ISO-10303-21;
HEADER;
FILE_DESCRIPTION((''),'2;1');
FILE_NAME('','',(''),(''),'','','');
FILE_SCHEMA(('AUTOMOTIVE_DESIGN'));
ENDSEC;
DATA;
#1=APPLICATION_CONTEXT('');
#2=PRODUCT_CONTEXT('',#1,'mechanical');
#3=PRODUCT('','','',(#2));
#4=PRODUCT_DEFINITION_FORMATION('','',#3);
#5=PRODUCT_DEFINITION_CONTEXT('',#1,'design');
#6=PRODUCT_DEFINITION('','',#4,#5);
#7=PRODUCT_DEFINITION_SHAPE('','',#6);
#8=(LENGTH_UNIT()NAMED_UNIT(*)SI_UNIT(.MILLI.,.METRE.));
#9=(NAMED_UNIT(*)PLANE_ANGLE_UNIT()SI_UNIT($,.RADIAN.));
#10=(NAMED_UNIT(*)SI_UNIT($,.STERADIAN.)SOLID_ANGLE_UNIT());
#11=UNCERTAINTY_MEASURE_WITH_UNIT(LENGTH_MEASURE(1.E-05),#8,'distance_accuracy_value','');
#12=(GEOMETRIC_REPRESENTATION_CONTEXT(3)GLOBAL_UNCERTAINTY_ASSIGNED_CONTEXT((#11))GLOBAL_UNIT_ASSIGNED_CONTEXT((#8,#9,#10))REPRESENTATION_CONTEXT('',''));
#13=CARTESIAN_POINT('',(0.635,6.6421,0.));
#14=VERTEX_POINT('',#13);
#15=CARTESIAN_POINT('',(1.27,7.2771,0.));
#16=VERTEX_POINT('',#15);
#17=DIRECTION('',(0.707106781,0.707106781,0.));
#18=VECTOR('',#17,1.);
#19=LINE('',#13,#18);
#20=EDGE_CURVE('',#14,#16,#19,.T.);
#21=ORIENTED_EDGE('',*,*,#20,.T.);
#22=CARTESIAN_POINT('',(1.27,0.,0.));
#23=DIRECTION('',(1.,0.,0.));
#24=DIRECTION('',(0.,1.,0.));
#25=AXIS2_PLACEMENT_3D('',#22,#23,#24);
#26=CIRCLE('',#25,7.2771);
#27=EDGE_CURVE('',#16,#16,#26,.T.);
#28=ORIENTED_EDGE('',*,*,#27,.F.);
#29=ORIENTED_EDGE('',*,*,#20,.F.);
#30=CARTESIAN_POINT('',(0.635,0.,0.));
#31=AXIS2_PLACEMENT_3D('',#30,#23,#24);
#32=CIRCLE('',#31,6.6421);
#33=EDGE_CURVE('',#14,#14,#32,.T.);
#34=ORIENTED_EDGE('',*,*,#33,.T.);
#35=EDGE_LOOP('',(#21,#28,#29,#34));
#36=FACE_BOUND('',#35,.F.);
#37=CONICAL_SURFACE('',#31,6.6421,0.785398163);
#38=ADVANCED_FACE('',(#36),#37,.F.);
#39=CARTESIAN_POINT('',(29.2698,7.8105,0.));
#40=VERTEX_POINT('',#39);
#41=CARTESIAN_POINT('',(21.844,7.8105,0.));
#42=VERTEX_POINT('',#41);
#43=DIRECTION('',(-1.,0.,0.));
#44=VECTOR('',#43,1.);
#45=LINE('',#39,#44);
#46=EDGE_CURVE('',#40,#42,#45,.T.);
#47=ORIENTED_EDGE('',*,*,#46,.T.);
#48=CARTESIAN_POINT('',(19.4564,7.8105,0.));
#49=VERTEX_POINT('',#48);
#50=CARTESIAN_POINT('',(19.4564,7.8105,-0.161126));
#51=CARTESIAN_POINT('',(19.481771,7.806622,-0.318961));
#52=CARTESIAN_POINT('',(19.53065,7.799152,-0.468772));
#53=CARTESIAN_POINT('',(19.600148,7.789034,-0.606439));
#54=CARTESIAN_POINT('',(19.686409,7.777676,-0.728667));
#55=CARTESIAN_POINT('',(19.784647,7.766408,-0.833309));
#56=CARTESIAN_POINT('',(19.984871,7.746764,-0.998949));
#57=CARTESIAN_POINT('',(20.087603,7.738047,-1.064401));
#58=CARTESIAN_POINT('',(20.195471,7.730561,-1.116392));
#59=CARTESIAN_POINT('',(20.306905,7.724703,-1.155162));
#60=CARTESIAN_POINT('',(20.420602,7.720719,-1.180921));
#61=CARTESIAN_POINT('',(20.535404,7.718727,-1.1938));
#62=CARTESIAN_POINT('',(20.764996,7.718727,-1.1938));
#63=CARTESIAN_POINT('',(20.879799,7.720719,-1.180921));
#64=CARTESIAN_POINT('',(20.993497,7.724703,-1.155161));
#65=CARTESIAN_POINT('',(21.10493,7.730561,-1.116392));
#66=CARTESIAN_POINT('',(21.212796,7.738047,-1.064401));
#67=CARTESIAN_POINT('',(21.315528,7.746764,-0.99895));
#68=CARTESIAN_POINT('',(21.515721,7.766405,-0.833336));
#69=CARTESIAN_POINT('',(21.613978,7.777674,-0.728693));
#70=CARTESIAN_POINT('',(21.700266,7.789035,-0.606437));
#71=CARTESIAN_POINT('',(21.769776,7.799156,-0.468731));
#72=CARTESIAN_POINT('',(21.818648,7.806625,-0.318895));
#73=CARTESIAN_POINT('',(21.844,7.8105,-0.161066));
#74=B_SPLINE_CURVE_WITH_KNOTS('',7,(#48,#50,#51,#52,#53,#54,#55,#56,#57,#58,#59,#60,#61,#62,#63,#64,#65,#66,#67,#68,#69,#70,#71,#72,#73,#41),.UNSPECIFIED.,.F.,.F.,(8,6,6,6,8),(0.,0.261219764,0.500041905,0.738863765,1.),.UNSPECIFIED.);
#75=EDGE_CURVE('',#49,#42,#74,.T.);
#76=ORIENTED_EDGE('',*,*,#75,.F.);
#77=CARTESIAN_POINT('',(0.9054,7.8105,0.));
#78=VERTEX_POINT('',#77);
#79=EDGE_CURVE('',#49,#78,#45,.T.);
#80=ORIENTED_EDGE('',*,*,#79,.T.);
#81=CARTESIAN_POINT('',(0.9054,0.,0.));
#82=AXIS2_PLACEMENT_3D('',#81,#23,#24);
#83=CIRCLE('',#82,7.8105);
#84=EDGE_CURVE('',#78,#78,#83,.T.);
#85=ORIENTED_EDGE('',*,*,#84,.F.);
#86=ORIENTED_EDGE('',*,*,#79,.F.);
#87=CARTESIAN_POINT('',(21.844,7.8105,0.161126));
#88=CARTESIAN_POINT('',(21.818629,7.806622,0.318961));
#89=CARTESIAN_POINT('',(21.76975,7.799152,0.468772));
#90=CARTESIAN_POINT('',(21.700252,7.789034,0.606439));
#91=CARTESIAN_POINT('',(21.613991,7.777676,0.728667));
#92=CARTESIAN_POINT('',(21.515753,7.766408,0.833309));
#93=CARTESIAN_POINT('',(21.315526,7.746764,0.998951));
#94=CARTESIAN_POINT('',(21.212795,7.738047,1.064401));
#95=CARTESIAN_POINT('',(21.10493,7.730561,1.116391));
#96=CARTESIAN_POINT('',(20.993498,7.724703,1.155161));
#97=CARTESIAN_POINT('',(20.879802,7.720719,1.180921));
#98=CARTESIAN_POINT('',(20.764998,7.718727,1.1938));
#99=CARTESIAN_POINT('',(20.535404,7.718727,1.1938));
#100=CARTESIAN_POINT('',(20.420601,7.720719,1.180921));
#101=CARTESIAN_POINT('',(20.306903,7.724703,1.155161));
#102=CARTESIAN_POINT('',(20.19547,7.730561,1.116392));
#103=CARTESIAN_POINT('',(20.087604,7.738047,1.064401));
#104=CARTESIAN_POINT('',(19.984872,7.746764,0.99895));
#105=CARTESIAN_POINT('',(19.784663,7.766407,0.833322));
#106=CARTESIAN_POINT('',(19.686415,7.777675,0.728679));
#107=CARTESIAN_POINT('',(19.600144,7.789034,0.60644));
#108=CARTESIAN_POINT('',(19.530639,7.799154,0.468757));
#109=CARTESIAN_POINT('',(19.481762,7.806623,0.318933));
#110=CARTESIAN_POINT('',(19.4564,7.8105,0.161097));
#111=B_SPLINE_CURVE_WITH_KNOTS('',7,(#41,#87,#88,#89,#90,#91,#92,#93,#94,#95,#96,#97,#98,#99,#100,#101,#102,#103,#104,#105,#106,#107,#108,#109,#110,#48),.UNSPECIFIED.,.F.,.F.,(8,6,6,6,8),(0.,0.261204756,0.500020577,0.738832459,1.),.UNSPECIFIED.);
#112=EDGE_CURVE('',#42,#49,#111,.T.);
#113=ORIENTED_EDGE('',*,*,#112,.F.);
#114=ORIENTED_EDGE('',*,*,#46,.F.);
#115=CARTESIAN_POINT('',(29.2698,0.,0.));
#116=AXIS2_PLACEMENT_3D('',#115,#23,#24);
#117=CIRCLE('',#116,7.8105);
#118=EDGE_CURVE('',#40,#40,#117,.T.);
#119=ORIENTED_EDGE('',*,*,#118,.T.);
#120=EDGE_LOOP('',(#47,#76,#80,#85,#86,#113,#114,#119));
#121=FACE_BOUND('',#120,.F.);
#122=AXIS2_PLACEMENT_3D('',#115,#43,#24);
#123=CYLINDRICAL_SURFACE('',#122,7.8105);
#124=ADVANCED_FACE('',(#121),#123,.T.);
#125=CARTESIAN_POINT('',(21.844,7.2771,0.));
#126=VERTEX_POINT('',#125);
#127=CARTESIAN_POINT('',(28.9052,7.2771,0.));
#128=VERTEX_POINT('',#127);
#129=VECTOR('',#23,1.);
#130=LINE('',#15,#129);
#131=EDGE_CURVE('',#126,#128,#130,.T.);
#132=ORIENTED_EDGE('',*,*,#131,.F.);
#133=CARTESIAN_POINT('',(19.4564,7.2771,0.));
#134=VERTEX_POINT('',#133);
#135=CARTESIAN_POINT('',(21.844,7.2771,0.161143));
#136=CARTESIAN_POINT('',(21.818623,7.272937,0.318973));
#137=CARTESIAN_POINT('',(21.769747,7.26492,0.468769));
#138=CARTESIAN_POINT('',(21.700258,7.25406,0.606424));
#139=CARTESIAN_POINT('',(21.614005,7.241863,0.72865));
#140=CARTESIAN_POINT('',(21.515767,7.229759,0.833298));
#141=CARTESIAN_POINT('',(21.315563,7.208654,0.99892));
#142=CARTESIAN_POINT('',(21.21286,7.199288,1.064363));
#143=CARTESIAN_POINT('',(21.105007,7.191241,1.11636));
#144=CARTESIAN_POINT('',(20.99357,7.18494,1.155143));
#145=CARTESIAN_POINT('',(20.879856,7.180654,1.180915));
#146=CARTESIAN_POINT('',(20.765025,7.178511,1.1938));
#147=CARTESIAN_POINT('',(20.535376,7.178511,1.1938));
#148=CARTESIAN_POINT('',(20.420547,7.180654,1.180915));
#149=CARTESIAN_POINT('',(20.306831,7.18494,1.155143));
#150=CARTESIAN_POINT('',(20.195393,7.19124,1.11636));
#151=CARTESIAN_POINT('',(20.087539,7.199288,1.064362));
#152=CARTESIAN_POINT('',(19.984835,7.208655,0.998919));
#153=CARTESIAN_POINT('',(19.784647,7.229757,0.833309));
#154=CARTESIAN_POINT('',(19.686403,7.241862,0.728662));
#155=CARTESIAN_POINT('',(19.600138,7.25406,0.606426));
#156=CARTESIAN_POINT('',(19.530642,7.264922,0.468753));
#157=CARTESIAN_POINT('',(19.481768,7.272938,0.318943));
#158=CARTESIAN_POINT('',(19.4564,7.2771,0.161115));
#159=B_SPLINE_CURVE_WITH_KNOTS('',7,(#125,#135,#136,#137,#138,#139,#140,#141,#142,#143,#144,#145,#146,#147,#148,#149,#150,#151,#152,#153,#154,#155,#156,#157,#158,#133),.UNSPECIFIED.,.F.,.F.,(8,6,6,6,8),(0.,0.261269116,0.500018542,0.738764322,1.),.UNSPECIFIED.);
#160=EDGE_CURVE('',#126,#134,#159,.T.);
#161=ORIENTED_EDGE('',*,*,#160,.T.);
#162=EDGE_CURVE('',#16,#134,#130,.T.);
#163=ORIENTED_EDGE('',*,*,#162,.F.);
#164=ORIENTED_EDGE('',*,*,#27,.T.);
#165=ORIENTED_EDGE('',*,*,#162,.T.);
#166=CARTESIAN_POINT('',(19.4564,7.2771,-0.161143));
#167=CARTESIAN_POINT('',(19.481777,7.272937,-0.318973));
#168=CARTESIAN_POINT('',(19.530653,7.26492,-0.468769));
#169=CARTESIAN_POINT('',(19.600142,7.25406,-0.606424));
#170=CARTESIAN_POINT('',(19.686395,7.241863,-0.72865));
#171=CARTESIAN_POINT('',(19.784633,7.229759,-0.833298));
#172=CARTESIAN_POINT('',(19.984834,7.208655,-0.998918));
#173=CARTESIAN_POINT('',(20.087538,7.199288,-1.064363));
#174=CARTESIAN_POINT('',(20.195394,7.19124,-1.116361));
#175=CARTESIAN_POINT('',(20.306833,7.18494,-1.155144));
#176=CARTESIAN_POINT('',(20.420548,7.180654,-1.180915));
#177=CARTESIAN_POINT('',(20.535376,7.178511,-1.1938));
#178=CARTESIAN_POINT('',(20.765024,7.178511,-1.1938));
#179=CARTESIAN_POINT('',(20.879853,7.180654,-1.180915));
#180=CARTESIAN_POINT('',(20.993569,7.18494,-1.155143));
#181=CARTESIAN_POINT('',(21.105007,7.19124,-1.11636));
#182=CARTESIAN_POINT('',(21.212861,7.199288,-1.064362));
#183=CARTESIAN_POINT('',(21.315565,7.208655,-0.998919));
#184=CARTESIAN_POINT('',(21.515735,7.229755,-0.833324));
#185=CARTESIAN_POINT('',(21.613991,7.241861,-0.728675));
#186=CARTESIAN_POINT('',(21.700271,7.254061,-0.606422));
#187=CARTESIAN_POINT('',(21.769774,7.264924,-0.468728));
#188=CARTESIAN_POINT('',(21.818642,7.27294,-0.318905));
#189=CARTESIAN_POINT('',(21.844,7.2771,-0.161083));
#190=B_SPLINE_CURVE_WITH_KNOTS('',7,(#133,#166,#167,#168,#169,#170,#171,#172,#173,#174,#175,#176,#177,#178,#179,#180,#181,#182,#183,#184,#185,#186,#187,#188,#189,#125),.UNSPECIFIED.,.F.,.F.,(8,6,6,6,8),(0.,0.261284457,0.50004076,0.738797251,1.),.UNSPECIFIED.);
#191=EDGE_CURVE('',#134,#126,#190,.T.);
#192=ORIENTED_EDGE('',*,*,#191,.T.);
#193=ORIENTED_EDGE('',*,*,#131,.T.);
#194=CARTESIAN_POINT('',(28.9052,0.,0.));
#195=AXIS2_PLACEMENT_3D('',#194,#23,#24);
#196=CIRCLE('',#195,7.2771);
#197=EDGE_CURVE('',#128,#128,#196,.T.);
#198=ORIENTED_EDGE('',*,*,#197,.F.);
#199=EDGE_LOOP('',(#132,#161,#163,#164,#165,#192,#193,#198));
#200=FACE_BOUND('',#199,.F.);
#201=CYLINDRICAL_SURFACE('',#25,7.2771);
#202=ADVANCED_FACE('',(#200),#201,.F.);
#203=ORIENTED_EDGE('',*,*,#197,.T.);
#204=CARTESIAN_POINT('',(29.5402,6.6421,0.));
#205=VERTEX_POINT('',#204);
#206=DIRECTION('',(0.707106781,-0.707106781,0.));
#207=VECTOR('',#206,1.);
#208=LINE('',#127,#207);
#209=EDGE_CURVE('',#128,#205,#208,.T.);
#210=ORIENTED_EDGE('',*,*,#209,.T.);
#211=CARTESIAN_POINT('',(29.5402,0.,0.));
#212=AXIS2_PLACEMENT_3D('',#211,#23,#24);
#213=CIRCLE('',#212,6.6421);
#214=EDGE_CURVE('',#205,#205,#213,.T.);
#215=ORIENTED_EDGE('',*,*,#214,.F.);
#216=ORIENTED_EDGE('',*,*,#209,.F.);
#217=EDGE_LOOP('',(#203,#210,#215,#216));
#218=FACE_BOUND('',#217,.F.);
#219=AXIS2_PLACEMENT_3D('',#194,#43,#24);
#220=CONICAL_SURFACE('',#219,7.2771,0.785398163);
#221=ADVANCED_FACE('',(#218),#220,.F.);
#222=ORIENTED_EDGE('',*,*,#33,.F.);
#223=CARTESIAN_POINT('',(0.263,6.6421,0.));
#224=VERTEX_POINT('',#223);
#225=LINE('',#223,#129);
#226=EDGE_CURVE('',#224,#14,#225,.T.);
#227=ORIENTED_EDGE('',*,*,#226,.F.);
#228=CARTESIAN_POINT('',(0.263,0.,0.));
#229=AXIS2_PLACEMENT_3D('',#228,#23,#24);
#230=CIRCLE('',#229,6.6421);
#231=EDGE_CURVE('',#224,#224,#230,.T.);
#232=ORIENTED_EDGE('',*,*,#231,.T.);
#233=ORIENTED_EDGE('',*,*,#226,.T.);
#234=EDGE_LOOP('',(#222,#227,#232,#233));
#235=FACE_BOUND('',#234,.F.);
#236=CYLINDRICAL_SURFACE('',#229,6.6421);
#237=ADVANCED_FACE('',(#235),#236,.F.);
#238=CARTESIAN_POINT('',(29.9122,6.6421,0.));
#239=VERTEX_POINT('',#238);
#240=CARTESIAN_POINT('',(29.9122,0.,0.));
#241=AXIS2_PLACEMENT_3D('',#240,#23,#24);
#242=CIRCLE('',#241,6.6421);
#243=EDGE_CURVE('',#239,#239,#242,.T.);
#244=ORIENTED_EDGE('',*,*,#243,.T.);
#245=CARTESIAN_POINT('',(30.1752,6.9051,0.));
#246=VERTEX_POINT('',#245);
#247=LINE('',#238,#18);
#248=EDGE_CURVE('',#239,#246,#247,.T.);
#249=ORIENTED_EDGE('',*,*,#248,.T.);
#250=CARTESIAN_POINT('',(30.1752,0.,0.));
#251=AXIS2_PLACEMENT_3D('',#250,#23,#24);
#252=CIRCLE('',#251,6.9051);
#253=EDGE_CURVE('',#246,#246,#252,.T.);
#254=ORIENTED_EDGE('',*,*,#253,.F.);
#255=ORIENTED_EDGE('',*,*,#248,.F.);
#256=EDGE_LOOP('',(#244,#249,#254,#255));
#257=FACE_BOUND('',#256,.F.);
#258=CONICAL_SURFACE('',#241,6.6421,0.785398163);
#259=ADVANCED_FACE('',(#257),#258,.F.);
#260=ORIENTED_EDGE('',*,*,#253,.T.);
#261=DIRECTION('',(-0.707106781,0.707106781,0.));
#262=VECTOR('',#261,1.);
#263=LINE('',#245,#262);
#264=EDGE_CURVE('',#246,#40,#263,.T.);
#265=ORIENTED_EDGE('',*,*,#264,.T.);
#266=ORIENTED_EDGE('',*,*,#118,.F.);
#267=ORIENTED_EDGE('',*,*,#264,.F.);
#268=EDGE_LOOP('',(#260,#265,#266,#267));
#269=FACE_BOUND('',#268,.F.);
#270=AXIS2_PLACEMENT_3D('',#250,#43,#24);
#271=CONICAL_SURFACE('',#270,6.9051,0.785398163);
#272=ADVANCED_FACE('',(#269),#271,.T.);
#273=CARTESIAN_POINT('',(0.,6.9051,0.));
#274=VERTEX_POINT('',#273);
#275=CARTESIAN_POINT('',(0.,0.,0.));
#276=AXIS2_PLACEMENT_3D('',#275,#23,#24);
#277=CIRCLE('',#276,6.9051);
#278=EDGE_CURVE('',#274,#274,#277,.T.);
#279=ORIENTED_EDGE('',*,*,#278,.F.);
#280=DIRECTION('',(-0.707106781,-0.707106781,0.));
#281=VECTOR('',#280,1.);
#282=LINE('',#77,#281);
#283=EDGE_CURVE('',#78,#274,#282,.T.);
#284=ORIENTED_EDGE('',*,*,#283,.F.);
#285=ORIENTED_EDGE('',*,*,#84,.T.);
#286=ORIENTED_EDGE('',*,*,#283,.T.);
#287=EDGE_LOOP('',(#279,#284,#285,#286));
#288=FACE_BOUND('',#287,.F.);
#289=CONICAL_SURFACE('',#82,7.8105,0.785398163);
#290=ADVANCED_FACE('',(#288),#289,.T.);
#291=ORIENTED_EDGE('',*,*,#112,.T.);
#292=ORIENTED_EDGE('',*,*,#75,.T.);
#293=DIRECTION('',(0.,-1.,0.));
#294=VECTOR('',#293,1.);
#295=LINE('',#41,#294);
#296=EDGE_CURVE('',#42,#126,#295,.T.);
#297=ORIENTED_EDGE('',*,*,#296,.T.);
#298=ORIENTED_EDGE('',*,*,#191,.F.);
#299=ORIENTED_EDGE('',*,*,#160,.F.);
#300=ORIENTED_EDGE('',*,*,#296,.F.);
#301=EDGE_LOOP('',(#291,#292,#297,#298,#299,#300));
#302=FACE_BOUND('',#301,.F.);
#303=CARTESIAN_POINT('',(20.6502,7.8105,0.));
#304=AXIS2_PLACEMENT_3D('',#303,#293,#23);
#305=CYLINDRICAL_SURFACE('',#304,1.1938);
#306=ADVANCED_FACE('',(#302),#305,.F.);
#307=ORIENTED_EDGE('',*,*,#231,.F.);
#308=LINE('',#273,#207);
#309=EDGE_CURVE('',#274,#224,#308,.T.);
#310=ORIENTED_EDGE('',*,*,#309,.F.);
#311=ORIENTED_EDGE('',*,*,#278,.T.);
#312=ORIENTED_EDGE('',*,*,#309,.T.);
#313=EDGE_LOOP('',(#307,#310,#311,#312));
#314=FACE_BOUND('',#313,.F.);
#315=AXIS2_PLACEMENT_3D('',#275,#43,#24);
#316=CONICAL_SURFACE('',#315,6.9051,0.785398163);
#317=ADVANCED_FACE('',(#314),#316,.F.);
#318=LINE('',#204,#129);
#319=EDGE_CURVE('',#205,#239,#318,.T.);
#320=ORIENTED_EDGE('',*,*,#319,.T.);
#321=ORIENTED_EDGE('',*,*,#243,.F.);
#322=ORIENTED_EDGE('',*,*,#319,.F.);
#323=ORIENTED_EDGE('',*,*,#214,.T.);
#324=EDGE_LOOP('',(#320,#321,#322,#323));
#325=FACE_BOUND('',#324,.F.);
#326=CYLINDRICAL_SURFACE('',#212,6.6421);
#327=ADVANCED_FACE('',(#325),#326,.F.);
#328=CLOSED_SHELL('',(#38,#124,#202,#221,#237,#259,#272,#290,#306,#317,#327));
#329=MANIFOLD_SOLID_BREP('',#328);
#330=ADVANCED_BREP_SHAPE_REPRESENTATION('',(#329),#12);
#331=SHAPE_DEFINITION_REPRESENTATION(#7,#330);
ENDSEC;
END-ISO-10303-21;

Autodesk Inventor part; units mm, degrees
sketch "Sketch_5" plane through (0, 0, 0) normal (0, 0, 1) x (1, 0, 0)
  line L0 (30.1752, 0) -> (-30.1752, 0)
  line L1 (0, 6.9051) -> (0.263, 6.6421)
  line L2 (0.263, 6.6421) -> (0.635, 6.6421)
  line L3 (0.635, 6.6421) -> (1.27, 7.2771)
  line L4 (1.27, 7.2771) -> (28.9052, 7.2771)
  line L5 (28.9052, 7.2771) -> (29.5402, 6.6421)
  line L6 (29.5402, 6.6421) -> (29.9122, 6.6421)
  line L7 (29.9122, 6.6421) -> (30.1752, 6.9051)
  line L8 (30.1752, 6.9051) -> (29.2698, 7.8105)
  line L9 (29.2698, 7.8105) -> (0.9054, 7.8105)
  line L10 (0.9054, 7.8105) -> (0, 6.9051)
revolve "Revolution1" add sketch "Sketch_5" angle 360 about axis through (30.1752, 0, 0) along (1, 0, 0)
sketch "Sketch_1" plane through (0, 0, 0) normal (0, 0, 1) x (1, 0, 0)
  line L0 (20.6502, 0) -> (20.6502, 7.8105)
  line L1 (20.6502, 7.8105) -> (21.844, 7.8105)
  line L2 (21.844, 7.8105) -> (21.844, 0)
  line L3 (21.844, 0) -> (20.6502, 0)
  line L4 (20.6502, 0) -> (20.6502, 7.8105)
revolve "Revolution2" cut sketch "Sketch_1" angle 360 about axis through (20.6502, 0, 0) along (0, -1, 0)
ref_plane "o1_XY" through (0, -7.8105, 0) normal (1, 0, 0) x (0, 0, -1)
ref_plane "o1_YZ" through (0, -7.8105, 0) normal (0, 0, -1) x (0, 1, 0)
ref_plane "o1_ZX" through (0, -7.8105, 0) normal (0, 1, 0) x (1, 0, 0)
ref_plane "o2_XY" through (0, 7.8105, 0) normal (1, 0, 0) x (0, 0, -1)
ref_plane "o2_YZ" through (0, 7.8105, 0) normal (0, 0, -1) x (0, 1, 0)
ref_plane "o2_ZX" through (0, 7.8105, 0) normal (0, 1, 0) x (1, 0, 0)
ref_plane "t1_XY" through (15.0876, 7.8105, 0) normal (1, 0, 0) x (0, 0, -1)
ref_plane "t1_YZ" through (15.0876, 7.8105, 0) normal (0, 0, -1) x (0, 1, 0)
ref_plane "t1_ZX" through (15.0876, 7.8105, 0) normal (0, 1, 0) x (1, 0, 0)
ref_plane "t2_XY" through (15.0876, 0, -7.8105) normal (1, 0, 0) x (0, 0, -1)
ref_plane "t2_YZ" through (15.0876, 0, -7.8105) normal (0, 0, -1) x (0, 1, 0)
ref_plane "t2_ZX" through (15.0876, 0, -7.8105) normal (0, 1, 0) x (1, 0, 0)
ref_plane "t3_XY" through (15.0876, -7.8105, 0) normal (1, 0, 0) x (0, 0, -1)
ref_plane "t3_YZ" through (15.0876, -7.8105, 0) normal (0, 0, -1) x (0, 1, 0)
ref_plane "t3_ZX" through (15.0876, -7.8105, 0) normal (0, 1, 0) x (1, 0, 0)
ref_plane "t4_XY" through (15.0876, 0, 7.8105) normal (1, 0, 0) x (0, 0, -1)
ref_plane "t4_YZ" through (15.0876, 0, 7.8105) normal (0, 0, -1) x (0, 1, 0)
ref_plane "t4_ZX" through (15.0876, 0, 7.8105) normal (0, 1, 0) x (1, 0, 0)
ref_plane "tube1_XY" through (1.27, 0, 0) normal (1, 0, 0) x (0, 0, -1)
ref_plane "tube1_YZ" through (1.27, 0, 0) normal (0, 0, -1) x (0, 1, 0)
ref_plane "tube1_ZX" through (1.27, 0, 0) normal (0, 1, 0) x (1, 0, 0)
ref_plane "tube2_XY" through (28.9052, 0, 0) normal (1, 0, 0) x (0, 0, -1)
ref_plane "tube2_YZ" through (28.9052, 0, 0) normal (0, 0, -1) x (0, 1, 0)
ref_plane "tube2_ZX" through (28.9052, 0, 0) normal (0, 1, 0) x (1, 0, 0)
properties part number "D-75938XP-1.188"
